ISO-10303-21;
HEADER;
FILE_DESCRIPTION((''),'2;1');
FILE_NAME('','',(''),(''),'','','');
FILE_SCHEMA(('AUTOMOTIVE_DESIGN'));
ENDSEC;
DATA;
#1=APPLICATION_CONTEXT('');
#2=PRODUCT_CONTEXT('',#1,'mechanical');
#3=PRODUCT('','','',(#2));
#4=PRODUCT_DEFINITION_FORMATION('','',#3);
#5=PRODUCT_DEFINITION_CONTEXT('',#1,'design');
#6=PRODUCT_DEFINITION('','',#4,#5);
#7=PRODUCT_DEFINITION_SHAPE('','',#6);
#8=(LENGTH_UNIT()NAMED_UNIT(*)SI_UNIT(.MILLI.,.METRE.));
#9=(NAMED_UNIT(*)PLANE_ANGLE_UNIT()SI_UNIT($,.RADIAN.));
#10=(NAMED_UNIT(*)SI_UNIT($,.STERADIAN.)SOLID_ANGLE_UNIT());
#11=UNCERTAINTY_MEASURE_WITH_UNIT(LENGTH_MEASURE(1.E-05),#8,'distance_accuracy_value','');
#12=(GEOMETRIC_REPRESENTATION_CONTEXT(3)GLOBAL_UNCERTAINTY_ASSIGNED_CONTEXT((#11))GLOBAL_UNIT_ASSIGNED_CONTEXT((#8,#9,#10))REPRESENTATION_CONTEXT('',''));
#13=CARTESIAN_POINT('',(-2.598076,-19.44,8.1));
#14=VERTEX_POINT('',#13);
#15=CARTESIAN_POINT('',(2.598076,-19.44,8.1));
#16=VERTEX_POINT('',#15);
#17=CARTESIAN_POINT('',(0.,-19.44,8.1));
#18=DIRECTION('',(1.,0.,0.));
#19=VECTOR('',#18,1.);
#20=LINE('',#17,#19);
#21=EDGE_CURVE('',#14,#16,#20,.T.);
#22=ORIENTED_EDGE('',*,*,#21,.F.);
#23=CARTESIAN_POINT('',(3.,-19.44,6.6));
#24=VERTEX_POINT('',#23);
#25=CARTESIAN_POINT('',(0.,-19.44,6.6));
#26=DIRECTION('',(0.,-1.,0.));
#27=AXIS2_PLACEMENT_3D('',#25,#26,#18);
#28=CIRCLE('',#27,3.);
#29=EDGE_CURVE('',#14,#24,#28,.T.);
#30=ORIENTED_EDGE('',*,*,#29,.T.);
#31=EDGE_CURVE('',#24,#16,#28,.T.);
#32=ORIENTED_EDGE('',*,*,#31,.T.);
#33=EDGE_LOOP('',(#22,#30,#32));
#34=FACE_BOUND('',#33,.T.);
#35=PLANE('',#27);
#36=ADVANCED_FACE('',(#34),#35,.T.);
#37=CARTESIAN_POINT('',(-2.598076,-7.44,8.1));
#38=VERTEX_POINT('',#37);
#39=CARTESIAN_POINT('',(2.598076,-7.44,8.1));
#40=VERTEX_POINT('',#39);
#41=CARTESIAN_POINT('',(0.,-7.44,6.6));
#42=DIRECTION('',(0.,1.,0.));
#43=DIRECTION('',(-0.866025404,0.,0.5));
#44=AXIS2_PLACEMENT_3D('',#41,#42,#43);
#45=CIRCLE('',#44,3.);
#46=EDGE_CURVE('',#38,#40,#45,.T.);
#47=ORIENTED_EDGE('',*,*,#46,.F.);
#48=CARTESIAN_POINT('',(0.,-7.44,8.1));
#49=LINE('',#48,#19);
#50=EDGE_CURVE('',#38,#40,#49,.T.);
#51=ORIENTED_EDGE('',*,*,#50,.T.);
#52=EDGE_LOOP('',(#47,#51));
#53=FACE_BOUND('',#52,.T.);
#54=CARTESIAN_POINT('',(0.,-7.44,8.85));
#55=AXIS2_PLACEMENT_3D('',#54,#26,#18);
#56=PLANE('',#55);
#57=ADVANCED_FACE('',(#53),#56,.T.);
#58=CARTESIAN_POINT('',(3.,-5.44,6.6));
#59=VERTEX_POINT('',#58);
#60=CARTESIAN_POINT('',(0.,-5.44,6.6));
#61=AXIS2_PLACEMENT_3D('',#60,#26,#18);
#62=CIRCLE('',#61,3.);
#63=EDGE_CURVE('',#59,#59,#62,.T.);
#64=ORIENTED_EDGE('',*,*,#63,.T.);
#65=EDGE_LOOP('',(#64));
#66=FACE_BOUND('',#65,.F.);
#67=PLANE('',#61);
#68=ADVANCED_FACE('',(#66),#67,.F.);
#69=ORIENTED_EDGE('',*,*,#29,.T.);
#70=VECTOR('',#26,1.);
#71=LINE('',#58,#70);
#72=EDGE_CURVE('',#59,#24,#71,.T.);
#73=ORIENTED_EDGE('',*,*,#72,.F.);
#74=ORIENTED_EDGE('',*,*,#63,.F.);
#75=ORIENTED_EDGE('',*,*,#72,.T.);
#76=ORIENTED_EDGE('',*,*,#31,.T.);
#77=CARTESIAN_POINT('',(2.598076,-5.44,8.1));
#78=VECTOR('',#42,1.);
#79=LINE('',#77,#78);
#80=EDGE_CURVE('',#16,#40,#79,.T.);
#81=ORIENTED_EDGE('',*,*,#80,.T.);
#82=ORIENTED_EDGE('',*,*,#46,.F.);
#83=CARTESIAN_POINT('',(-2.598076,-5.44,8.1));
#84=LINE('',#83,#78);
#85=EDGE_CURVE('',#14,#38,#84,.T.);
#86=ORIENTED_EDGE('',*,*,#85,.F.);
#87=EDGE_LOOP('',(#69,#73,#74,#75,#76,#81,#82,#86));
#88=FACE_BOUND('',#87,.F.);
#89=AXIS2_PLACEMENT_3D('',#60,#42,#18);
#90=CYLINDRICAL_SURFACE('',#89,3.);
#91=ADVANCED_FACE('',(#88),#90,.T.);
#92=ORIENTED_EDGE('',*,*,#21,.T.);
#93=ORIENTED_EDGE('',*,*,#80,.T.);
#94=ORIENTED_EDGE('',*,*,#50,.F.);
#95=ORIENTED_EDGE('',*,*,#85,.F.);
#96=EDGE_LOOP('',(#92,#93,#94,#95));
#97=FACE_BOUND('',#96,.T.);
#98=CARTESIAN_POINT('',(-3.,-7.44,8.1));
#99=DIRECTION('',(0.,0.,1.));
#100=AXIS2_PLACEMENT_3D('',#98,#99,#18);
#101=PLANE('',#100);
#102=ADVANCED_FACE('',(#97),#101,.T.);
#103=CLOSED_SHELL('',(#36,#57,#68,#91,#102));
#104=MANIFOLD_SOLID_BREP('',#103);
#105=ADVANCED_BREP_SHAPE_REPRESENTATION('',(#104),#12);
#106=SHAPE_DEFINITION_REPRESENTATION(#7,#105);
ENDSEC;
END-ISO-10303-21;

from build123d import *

# Parameters (mm, degrees)
BOX014_W          = 6
BOX014_H          = 1.5
BOX014_DEPTH      = 12
CYLINDER005_R     = 3
CYLINDER005_DEPTH = 14


with BuildPart() as cube:
    # Box014 → Box014 (new body)
    with BuildSketch(Plane(origin=(-3, -7.44, 8.1), x_dir=(1, 0, 0), z_dir=(0, -1, 0))):
        with Locations((3, 0.75)):
            Rectangle(BOX014_W, BOX014_H)
    extrude(amount=BOX014_DEPTH)


with BuildPart() as shaft:
    # Cylinder005 → Cylinder005 (new body)
    with BuildSketch(Plane(origin=(0, -5.44, 6.6), x_dir=(1, 0, 0), z_dir=(0, -1, 0))):
        Circle(CYLINDER005_R)
    extrude(amount=CYLINDER005_DEPTH)

    # Cut: cut Cube
    add(cube.part, mode=Mode.SUBTRACT)


solid = shaft.part
